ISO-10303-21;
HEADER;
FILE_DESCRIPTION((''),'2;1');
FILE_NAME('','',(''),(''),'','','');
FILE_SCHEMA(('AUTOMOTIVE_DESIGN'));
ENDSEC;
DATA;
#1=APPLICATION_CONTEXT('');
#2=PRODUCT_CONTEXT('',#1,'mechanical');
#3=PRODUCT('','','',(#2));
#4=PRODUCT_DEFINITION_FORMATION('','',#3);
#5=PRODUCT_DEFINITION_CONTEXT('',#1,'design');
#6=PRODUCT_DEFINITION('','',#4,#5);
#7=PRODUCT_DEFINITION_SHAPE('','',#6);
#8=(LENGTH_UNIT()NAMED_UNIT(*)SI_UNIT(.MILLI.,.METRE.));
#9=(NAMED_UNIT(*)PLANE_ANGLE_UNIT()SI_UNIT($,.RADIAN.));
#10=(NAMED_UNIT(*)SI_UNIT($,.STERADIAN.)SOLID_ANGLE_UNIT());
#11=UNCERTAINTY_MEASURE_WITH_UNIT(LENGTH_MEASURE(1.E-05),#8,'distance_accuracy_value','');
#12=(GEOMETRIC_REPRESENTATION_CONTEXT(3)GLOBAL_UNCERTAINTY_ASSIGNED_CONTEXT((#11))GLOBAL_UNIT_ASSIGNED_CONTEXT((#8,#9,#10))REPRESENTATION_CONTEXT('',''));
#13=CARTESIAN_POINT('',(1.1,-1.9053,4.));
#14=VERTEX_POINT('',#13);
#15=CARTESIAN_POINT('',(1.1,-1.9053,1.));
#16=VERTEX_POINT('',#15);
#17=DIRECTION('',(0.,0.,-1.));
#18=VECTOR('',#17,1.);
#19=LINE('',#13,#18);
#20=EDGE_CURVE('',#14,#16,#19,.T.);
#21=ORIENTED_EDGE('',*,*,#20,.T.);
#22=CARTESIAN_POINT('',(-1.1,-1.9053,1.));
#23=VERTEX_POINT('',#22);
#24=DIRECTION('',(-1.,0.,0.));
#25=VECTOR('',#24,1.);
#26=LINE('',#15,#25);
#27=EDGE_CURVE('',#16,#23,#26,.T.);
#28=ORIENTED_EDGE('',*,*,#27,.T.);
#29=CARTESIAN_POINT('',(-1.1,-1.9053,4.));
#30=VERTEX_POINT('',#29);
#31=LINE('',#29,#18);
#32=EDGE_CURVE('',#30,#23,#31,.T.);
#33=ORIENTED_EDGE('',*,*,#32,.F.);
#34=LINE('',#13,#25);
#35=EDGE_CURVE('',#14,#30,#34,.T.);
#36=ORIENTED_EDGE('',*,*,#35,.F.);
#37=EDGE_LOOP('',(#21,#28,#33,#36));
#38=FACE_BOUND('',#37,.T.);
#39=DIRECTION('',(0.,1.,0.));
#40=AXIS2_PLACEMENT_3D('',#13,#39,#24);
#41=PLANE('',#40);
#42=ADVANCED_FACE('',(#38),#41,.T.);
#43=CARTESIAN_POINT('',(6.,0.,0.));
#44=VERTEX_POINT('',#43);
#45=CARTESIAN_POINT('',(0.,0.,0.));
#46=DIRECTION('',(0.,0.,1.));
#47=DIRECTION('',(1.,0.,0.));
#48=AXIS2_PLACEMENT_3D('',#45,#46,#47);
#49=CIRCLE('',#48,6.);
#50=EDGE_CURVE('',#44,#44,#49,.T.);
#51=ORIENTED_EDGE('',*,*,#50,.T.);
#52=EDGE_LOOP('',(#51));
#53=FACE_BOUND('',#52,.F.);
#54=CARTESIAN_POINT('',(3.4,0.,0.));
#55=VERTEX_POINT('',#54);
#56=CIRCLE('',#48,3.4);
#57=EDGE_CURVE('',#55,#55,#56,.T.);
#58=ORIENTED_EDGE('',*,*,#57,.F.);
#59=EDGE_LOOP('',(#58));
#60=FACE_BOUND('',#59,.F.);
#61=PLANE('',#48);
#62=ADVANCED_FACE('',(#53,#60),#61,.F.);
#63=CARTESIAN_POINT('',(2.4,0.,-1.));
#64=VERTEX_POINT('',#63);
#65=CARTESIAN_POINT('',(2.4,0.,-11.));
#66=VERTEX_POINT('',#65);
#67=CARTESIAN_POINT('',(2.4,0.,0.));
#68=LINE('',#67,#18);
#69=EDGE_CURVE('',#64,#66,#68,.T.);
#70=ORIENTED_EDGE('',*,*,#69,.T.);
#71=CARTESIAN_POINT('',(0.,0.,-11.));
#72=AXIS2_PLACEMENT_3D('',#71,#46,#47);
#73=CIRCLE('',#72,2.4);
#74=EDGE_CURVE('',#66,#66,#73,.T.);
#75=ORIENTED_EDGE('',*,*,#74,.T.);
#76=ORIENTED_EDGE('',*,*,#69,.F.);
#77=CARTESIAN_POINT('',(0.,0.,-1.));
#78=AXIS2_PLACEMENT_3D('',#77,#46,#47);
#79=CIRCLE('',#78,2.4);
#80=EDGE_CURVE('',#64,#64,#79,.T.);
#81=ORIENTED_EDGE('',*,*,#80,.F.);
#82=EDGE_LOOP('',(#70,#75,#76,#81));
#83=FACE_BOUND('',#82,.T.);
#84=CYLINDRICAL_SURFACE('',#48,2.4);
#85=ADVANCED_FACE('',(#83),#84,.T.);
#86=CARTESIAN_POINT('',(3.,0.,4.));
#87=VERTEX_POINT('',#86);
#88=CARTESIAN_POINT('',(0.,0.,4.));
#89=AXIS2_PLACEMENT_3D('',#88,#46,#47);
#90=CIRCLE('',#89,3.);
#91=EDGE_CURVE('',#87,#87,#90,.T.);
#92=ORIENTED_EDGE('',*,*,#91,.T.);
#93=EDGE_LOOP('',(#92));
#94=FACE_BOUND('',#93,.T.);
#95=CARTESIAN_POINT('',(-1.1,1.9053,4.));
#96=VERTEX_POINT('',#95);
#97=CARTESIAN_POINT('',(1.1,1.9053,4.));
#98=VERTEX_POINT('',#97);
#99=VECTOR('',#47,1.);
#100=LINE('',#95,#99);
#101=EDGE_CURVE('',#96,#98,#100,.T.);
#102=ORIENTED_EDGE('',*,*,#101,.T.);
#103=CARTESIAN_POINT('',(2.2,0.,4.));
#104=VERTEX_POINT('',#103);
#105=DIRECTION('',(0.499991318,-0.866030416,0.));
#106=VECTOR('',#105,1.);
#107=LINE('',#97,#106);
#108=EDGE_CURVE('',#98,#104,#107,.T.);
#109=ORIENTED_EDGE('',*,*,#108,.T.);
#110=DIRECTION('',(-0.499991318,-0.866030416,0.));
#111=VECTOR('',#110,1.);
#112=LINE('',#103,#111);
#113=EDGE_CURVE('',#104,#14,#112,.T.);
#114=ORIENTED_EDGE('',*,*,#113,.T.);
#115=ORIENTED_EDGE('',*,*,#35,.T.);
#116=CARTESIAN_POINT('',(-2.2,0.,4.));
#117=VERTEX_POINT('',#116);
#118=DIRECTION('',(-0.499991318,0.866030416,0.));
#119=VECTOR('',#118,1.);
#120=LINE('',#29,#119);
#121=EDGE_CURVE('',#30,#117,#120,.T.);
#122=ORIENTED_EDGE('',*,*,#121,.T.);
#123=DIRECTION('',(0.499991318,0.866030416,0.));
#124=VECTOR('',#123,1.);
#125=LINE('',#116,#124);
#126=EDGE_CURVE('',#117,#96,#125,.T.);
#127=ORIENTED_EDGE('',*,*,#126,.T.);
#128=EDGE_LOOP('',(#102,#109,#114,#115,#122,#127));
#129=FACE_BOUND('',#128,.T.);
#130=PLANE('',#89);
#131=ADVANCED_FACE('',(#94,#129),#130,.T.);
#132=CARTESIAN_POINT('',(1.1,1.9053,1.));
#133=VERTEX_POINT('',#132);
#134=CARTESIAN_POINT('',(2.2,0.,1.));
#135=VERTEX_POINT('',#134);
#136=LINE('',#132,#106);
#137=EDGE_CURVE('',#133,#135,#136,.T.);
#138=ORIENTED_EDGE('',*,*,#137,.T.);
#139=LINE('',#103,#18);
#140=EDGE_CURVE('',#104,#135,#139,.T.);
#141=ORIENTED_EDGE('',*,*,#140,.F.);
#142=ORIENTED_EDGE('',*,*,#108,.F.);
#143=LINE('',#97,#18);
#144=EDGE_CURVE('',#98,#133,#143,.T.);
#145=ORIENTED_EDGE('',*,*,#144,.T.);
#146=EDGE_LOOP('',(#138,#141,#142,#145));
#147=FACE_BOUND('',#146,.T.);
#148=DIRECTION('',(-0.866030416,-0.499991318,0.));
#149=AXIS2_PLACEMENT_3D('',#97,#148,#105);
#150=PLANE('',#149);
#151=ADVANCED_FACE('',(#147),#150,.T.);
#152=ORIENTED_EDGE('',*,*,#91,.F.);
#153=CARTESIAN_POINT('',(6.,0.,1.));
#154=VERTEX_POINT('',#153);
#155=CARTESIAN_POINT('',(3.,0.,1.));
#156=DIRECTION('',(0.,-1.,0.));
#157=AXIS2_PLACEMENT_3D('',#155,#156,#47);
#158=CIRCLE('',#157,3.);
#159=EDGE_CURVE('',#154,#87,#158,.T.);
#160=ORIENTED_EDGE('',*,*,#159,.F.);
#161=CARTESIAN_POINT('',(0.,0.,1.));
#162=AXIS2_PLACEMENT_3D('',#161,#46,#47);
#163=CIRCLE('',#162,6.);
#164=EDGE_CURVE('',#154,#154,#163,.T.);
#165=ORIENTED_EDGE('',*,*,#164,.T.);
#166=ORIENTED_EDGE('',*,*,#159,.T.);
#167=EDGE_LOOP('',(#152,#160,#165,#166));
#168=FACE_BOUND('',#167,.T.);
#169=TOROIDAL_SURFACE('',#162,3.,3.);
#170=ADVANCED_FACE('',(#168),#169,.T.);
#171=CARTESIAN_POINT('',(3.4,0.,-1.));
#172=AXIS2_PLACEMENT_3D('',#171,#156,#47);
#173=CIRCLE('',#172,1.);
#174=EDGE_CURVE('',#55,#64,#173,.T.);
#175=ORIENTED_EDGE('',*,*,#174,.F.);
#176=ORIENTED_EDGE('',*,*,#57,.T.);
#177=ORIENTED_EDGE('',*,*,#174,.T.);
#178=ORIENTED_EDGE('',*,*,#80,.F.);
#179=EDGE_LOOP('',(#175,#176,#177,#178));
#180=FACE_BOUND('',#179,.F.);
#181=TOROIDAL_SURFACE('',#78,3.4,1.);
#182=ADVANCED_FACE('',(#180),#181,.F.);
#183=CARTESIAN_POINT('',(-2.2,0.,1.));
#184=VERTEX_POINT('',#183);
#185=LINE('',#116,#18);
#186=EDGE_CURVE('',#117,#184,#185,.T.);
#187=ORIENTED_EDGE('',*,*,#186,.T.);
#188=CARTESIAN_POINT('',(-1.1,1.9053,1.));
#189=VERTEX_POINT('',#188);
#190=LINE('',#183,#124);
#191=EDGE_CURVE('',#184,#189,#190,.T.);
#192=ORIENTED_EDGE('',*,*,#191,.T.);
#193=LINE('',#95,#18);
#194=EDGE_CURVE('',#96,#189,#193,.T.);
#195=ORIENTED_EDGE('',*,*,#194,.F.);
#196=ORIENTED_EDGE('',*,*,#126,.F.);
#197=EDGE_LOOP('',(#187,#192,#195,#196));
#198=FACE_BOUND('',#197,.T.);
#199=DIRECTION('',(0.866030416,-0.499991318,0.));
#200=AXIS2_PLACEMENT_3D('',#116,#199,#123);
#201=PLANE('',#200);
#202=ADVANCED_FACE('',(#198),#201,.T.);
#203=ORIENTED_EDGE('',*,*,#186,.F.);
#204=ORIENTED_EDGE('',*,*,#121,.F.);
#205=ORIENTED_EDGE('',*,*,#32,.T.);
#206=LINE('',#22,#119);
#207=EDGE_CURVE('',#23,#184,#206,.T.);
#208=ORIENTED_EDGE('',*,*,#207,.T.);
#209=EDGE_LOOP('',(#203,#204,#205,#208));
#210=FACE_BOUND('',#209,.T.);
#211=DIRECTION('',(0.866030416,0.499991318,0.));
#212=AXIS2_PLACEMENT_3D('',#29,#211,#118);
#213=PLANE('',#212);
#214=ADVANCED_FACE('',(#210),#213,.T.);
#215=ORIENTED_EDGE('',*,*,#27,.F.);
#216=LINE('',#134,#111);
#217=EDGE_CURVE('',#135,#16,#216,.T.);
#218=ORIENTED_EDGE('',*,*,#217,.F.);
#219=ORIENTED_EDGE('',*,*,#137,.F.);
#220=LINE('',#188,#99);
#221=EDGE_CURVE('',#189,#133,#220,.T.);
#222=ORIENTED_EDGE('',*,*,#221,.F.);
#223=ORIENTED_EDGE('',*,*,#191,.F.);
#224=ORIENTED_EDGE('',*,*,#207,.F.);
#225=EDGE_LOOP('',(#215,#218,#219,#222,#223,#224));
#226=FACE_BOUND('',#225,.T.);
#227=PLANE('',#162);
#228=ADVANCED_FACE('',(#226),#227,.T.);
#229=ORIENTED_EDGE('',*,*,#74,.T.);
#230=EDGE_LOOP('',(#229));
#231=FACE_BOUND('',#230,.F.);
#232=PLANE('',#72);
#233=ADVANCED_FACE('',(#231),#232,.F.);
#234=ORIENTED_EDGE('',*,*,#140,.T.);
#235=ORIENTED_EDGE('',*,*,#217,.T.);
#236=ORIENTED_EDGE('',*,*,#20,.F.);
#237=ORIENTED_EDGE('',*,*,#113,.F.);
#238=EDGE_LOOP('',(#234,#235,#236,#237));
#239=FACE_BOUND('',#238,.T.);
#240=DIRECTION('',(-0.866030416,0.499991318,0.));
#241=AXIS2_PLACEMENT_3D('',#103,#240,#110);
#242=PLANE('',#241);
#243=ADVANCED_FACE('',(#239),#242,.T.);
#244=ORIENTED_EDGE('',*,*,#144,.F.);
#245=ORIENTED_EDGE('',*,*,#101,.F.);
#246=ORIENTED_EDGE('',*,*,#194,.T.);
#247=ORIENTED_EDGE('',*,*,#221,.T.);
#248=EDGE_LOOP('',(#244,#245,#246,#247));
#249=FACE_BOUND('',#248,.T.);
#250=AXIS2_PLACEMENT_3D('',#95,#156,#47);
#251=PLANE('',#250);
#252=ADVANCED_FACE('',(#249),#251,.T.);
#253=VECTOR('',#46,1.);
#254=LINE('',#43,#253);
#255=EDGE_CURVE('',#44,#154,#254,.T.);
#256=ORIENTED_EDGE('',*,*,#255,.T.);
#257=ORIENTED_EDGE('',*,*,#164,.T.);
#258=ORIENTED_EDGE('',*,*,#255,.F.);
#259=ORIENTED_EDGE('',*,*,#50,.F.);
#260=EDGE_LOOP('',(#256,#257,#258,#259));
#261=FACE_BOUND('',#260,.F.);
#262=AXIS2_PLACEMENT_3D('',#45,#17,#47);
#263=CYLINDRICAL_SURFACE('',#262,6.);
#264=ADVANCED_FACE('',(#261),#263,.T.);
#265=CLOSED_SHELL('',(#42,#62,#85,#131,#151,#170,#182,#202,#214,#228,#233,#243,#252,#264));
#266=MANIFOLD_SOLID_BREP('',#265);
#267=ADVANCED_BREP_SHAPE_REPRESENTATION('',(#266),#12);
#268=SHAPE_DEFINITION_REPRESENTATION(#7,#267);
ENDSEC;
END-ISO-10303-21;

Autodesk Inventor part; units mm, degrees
ref_plane "YZ Plane" through (0, 0, 0) normal (1, 0, 0) x (0, 1, 0)
ref_plane "XZ Plane" through (0, 0, 0) normal (0, 1, 0) x (-1, 0, 0)
ref_plane "XY Plane" through (0, 0, 0) normal (0, 0, 1) x (1, 0, 0)
sketch "Sketch1" plane through (0, 0, 0) normal (0, 0, 1) x (1, 0, 0)
  circle A0 centre (0, 0) radius 2.4
  circle A1 centre (0, 0) radius 6
  dimension "d0" = 4.8
  dimension "d1" = 12
extrude "Extrusion1" add sketch "Sketch1" along normal blind 4 contours A0 | A1
extrude "Extrusion2" add sketch "Sketch1" against normal blind 11 contours A0
fillet "Fillet1" radius 1 1 edges at (-2.4, 0, 0)
fillet "Fillet2" radius 3 1 edges at (-6, 0, 4)
sketch "Sketch2" plane through (0, 0, 4) normal (0, 0, 1) x (1, 0, 0)
  line L0 (2.2, 0) -> (1.1, -1.9053)
  line L1 (1.1, -1.9053) -> (-1.1, -1.9053)
  line L2 (-1.1, -1.9053) -> (-2.2, 0)
  line L3 (-2.2, 0) -> (-1.1, 1.9053)
  line L4 (-1.1, 1.9053) -> (1.1, 1.9053)
  line L5 (1.1, 1.9053) -> (2.2, 0)
  point P0 (0, 0)
  point P1 (0, 0)
  dimension "d8" = 4.4
extrude "Extrusion3" cut sketch "Sketch2" against normal blind 3
thread "Thread1" size "M5x0.8" class "6g" standard "ANSI Metric M Profile" full length
properties part number "SkaterInsertScrew" material "Stainless Steel"
